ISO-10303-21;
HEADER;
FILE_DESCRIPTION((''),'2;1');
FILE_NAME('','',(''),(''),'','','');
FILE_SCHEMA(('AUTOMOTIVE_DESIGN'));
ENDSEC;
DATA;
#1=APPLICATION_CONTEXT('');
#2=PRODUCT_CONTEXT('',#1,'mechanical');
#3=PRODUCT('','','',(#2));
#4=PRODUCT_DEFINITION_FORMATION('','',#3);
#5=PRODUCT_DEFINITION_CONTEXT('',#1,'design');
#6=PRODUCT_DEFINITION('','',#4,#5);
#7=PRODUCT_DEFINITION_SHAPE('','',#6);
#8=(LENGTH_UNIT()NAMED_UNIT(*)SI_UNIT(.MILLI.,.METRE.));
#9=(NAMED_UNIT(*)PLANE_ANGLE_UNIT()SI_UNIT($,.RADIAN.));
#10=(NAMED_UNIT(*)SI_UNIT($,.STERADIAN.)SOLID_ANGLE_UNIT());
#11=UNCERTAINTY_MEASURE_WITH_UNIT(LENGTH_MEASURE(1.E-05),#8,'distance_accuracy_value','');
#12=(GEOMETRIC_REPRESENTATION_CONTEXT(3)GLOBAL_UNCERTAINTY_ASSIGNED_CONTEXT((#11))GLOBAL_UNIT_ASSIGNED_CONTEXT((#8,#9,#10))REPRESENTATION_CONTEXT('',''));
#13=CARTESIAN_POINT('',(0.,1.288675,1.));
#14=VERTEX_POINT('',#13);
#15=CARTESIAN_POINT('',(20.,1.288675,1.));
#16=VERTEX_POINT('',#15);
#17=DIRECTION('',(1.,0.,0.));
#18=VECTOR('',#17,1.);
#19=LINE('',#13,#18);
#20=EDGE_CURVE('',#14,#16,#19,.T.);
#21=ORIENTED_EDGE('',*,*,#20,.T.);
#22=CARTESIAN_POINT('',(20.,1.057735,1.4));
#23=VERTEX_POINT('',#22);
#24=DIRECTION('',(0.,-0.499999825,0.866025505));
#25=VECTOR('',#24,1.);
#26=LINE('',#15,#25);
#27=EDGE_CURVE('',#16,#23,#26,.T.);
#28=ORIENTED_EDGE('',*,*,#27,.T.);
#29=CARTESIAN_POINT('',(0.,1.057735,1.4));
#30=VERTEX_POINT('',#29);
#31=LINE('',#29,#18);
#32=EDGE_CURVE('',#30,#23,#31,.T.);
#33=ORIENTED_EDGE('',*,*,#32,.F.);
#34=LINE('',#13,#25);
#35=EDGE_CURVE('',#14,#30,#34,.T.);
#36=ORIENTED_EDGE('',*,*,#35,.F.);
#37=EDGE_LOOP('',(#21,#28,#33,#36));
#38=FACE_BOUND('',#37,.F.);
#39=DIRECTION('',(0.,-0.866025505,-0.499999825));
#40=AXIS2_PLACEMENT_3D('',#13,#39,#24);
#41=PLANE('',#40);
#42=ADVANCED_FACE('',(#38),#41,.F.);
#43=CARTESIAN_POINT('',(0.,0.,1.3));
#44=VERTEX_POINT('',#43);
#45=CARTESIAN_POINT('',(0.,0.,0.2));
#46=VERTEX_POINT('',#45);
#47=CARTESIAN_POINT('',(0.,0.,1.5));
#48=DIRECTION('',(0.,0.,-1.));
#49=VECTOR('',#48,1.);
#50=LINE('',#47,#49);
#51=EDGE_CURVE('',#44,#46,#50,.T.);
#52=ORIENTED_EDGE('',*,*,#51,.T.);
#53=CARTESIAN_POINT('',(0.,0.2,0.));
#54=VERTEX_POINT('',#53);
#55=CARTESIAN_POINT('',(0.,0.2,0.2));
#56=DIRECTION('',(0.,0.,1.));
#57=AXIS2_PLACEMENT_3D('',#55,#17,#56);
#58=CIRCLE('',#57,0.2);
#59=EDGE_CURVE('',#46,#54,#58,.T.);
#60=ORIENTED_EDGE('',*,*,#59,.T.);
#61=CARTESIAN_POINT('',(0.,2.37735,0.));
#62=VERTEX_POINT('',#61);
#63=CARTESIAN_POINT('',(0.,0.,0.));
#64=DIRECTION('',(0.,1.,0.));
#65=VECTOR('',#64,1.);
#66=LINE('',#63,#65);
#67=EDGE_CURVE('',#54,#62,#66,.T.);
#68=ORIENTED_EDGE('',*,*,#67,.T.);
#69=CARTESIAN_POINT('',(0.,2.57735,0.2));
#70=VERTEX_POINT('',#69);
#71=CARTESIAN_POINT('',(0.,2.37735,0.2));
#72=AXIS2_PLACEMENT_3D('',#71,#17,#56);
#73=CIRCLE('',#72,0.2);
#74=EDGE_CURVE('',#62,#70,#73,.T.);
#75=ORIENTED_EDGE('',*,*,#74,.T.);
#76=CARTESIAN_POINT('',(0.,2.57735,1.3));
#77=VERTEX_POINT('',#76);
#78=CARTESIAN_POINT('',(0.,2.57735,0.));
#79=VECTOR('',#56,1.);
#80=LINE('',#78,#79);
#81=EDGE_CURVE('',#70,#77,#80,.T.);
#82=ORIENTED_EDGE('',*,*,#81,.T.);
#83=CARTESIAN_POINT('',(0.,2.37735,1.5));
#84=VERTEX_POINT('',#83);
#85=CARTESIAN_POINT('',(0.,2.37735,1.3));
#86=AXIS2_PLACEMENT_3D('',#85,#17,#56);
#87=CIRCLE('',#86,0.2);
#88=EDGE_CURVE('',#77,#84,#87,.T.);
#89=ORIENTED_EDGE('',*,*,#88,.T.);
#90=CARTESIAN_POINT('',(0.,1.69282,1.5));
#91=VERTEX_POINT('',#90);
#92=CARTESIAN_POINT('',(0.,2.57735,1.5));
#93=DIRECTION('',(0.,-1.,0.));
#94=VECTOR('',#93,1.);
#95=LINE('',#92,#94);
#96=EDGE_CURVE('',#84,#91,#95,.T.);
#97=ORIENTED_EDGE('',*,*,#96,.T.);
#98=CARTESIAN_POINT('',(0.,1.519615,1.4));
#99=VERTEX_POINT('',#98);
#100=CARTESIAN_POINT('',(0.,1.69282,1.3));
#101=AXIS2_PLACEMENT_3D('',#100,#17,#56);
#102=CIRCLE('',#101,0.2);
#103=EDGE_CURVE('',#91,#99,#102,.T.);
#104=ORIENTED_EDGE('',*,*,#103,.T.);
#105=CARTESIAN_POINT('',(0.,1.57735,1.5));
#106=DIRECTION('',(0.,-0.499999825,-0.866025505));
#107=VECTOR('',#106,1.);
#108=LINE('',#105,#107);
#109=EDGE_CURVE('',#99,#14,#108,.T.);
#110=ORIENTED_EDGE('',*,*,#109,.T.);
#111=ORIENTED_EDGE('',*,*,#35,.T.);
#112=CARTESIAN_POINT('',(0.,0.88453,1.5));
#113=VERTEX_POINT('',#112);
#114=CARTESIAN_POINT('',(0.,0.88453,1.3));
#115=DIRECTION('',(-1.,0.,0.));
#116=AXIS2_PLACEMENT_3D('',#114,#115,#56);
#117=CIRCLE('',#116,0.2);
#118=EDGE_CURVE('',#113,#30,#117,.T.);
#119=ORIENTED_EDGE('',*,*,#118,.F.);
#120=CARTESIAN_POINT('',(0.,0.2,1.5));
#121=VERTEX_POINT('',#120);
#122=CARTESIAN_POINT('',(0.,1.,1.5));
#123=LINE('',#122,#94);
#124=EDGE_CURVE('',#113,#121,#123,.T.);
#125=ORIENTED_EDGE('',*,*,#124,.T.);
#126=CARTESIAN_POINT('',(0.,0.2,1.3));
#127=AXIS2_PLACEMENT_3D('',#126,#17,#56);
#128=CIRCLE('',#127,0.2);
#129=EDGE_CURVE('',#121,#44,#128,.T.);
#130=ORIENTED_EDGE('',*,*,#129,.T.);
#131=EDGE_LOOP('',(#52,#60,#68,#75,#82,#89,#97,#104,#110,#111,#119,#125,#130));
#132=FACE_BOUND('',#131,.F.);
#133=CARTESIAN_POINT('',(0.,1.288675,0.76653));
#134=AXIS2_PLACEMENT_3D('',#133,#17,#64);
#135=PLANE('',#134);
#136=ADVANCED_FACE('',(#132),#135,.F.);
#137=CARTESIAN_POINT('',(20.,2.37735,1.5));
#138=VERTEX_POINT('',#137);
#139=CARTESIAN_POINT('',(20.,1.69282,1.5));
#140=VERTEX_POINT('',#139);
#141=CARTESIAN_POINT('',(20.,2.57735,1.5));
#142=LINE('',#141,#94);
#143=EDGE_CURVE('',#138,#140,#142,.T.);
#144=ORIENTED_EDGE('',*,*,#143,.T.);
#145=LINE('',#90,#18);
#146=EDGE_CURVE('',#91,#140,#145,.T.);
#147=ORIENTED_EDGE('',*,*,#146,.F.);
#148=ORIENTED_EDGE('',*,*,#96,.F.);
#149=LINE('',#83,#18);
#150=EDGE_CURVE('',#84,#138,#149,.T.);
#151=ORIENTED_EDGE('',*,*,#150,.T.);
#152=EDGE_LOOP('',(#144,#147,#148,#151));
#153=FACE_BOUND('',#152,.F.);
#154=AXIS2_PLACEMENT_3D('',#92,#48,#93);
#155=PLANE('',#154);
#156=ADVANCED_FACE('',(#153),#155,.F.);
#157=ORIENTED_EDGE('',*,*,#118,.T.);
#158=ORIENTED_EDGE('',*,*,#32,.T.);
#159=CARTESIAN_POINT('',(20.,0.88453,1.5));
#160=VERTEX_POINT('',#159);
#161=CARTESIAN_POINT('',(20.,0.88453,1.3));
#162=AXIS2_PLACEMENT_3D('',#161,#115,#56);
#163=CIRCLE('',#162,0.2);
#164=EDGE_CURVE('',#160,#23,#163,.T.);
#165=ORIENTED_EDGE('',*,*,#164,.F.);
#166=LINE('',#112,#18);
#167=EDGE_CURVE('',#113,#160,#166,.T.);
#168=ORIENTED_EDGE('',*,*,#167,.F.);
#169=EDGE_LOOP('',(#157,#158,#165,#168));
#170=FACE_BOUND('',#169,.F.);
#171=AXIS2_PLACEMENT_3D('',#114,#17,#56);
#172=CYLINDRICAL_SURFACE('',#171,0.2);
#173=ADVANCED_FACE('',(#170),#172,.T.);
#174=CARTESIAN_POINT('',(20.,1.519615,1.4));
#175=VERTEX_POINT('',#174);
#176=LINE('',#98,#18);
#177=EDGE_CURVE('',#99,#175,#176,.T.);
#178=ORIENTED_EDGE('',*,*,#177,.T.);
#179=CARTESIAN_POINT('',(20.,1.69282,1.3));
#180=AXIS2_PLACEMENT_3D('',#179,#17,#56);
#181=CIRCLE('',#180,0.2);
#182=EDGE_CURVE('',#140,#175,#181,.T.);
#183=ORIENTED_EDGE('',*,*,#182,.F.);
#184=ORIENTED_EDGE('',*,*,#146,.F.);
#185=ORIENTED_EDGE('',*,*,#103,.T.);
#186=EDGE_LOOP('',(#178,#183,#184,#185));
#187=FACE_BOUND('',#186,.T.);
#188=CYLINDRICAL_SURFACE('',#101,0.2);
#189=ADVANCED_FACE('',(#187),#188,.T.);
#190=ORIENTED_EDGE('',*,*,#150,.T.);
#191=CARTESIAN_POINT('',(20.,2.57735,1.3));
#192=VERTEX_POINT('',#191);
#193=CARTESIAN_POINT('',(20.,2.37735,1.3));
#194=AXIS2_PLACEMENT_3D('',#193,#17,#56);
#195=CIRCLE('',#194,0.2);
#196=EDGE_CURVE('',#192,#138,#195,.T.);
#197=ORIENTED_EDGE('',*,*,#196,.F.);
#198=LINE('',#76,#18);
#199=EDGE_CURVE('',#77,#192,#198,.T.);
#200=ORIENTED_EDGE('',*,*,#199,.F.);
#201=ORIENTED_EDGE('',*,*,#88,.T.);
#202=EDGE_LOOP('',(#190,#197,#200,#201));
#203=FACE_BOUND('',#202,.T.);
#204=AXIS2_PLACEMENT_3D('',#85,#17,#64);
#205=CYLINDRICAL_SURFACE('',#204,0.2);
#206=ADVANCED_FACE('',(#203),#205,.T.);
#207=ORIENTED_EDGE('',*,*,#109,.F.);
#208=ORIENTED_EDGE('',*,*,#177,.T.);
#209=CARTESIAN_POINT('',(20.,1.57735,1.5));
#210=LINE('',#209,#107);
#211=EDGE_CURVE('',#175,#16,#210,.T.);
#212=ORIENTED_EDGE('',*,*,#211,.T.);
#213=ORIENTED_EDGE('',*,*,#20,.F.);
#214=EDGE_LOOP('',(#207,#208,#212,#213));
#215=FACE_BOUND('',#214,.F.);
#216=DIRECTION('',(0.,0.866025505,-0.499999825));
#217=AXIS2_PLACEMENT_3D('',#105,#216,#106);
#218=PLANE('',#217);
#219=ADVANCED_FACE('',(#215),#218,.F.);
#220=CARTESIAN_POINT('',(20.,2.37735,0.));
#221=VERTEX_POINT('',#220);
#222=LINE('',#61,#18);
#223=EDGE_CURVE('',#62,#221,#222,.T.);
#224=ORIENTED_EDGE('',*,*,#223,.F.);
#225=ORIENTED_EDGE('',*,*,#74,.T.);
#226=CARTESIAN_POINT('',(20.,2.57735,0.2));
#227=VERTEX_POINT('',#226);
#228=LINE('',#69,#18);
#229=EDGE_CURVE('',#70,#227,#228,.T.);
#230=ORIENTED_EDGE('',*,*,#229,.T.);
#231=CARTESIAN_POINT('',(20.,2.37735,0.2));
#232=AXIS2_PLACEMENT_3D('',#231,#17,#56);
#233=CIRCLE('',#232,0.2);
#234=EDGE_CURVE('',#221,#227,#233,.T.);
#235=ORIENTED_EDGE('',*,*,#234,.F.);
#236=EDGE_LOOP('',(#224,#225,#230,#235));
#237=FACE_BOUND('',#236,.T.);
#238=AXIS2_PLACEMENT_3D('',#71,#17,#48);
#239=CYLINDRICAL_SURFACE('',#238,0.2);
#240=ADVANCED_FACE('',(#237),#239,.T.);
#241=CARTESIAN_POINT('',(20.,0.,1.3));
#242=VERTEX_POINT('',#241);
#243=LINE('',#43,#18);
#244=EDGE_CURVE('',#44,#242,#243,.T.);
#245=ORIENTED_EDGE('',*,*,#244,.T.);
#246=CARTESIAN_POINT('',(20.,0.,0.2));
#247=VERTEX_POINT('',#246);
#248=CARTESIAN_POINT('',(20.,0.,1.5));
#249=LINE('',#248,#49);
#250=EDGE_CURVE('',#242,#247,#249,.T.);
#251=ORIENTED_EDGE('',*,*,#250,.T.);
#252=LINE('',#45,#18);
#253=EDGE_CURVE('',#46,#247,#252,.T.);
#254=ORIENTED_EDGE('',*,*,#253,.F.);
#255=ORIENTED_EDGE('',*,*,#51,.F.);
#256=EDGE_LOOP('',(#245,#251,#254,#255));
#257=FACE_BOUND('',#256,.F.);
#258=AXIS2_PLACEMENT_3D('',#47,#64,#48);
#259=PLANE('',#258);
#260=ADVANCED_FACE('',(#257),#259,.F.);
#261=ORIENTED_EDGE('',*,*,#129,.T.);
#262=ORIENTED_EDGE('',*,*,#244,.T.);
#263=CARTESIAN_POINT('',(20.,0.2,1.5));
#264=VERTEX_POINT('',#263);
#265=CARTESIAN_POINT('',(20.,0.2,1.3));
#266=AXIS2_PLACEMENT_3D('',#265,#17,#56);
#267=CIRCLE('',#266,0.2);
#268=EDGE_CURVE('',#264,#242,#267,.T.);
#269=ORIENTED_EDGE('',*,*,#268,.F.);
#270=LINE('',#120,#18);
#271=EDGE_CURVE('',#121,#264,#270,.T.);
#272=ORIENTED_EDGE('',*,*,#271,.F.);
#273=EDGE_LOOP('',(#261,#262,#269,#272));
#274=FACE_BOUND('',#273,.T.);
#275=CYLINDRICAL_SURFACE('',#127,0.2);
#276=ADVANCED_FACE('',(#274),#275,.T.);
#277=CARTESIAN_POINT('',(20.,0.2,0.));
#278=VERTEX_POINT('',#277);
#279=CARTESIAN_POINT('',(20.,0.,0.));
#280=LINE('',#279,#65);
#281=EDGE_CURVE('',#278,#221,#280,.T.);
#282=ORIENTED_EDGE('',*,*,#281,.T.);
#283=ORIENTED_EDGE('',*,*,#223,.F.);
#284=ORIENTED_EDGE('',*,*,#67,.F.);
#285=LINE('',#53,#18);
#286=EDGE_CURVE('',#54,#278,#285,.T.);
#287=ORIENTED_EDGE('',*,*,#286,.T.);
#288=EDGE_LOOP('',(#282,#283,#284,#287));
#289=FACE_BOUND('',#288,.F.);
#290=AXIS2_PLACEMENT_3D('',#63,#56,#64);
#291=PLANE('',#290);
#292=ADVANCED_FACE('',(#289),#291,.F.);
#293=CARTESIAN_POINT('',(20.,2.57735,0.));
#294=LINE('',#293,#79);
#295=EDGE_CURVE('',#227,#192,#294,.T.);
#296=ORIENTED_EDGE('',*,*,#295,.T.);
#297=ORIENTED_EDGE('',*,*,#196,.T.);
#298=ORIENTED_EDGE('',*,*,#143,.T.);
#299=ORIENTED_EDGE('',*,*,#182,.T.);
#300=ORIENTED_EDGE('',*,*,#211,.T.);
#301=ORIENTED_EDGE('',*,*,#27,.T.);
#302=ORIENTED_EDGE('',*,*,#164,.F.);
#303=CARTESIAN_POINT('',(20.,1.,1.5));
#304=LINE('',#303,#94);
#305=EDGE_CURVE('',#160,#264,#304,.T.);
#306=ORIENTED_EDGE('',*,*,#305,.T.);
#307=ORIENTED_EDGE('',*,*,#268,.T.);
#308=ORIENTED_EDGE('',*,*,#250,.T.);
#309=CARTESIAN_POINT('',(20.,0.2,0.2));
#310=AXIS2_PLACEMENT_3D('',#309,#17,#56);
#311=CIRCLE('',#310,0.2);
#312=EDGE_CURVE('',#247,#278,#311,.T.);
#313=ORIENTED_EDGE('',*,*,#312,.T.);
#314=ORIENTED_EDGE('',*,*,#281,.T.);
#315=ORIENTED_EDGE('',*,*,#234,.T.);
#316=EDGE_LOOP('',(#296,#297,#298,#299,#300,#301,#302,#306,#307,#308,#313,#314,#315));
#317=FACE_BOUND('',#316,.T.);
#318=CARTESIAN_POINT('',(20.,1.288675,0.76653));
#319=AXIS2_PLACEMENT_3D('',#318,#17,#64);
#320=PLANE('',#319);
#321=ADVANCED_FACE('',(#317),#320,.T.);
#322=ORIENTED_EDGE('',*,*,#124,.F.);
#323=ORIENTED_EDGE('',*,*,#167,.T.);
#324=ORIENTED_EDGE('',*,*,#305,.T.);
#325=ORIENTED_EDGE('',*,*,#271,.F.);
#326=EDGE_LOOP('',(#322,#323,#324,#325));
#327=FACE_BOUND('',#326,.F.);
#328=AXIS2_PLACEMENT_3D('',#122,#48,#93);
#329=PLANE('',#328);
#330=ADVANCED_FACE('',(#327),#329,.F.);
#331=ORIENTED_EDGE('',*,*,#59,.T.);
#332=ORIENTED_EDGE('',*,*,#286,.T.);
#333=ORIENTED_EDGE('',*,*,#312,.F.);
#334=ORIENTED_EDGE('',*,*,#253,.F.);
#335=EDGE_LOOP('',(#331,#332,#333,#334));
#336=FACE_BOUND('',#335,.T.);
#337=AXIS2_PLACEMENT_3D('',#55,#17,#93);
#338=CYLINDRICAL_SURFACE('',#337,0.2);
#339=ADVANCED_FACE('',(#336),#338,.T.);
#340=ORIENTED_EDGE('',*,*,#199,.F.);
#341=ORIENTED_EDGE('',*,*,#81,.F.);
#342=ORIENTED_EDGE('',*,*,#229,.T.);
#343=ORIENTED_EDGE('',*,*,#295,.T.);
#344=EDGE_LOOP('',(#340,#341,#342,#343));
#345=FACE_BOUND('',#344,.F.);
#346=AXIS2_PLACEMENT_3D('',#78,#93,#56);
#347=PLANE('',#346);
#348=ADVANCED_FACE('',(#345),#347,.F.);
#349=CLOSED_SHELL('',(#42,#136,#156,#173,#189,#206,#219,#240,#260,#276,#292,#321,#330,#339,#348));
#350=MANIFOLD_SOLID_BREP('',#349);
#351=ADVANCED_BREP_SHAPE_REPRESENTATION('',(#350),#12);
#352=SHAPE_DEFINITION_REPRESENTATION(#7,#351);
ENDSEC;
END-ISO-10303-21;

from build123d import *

# Parameters (mm, degrees)
F1_DEPTH = 20
F2_R     = 0.2


with BuildPart() as f1:
    # F0 (on Right) → F1 (new body)
    with BuildSketch(Plane.YZ):
        Polygon((1, 1.5), (0, 1.5), (0, 0), (2.57735, 0), (2.57735, 1.5), (1.57735, 1.5), (1.288675, 1), align=None)
    extrude(amount=F1_DEPTH)

    # F2
    f2_edges = [f1.edges().sort_by_distance(p)[0] for p in [
        (10, 1, 1.5),
        (10, 0, 1.5),
        (10, 1.57735, 1.5),
        (10, 2.57735, 1.5),
        (10, 2.57735, 0),
        (10, 0, 0),
    ]]
    fillet(f2_edges, radius=F2_R)


solid = f1.part
